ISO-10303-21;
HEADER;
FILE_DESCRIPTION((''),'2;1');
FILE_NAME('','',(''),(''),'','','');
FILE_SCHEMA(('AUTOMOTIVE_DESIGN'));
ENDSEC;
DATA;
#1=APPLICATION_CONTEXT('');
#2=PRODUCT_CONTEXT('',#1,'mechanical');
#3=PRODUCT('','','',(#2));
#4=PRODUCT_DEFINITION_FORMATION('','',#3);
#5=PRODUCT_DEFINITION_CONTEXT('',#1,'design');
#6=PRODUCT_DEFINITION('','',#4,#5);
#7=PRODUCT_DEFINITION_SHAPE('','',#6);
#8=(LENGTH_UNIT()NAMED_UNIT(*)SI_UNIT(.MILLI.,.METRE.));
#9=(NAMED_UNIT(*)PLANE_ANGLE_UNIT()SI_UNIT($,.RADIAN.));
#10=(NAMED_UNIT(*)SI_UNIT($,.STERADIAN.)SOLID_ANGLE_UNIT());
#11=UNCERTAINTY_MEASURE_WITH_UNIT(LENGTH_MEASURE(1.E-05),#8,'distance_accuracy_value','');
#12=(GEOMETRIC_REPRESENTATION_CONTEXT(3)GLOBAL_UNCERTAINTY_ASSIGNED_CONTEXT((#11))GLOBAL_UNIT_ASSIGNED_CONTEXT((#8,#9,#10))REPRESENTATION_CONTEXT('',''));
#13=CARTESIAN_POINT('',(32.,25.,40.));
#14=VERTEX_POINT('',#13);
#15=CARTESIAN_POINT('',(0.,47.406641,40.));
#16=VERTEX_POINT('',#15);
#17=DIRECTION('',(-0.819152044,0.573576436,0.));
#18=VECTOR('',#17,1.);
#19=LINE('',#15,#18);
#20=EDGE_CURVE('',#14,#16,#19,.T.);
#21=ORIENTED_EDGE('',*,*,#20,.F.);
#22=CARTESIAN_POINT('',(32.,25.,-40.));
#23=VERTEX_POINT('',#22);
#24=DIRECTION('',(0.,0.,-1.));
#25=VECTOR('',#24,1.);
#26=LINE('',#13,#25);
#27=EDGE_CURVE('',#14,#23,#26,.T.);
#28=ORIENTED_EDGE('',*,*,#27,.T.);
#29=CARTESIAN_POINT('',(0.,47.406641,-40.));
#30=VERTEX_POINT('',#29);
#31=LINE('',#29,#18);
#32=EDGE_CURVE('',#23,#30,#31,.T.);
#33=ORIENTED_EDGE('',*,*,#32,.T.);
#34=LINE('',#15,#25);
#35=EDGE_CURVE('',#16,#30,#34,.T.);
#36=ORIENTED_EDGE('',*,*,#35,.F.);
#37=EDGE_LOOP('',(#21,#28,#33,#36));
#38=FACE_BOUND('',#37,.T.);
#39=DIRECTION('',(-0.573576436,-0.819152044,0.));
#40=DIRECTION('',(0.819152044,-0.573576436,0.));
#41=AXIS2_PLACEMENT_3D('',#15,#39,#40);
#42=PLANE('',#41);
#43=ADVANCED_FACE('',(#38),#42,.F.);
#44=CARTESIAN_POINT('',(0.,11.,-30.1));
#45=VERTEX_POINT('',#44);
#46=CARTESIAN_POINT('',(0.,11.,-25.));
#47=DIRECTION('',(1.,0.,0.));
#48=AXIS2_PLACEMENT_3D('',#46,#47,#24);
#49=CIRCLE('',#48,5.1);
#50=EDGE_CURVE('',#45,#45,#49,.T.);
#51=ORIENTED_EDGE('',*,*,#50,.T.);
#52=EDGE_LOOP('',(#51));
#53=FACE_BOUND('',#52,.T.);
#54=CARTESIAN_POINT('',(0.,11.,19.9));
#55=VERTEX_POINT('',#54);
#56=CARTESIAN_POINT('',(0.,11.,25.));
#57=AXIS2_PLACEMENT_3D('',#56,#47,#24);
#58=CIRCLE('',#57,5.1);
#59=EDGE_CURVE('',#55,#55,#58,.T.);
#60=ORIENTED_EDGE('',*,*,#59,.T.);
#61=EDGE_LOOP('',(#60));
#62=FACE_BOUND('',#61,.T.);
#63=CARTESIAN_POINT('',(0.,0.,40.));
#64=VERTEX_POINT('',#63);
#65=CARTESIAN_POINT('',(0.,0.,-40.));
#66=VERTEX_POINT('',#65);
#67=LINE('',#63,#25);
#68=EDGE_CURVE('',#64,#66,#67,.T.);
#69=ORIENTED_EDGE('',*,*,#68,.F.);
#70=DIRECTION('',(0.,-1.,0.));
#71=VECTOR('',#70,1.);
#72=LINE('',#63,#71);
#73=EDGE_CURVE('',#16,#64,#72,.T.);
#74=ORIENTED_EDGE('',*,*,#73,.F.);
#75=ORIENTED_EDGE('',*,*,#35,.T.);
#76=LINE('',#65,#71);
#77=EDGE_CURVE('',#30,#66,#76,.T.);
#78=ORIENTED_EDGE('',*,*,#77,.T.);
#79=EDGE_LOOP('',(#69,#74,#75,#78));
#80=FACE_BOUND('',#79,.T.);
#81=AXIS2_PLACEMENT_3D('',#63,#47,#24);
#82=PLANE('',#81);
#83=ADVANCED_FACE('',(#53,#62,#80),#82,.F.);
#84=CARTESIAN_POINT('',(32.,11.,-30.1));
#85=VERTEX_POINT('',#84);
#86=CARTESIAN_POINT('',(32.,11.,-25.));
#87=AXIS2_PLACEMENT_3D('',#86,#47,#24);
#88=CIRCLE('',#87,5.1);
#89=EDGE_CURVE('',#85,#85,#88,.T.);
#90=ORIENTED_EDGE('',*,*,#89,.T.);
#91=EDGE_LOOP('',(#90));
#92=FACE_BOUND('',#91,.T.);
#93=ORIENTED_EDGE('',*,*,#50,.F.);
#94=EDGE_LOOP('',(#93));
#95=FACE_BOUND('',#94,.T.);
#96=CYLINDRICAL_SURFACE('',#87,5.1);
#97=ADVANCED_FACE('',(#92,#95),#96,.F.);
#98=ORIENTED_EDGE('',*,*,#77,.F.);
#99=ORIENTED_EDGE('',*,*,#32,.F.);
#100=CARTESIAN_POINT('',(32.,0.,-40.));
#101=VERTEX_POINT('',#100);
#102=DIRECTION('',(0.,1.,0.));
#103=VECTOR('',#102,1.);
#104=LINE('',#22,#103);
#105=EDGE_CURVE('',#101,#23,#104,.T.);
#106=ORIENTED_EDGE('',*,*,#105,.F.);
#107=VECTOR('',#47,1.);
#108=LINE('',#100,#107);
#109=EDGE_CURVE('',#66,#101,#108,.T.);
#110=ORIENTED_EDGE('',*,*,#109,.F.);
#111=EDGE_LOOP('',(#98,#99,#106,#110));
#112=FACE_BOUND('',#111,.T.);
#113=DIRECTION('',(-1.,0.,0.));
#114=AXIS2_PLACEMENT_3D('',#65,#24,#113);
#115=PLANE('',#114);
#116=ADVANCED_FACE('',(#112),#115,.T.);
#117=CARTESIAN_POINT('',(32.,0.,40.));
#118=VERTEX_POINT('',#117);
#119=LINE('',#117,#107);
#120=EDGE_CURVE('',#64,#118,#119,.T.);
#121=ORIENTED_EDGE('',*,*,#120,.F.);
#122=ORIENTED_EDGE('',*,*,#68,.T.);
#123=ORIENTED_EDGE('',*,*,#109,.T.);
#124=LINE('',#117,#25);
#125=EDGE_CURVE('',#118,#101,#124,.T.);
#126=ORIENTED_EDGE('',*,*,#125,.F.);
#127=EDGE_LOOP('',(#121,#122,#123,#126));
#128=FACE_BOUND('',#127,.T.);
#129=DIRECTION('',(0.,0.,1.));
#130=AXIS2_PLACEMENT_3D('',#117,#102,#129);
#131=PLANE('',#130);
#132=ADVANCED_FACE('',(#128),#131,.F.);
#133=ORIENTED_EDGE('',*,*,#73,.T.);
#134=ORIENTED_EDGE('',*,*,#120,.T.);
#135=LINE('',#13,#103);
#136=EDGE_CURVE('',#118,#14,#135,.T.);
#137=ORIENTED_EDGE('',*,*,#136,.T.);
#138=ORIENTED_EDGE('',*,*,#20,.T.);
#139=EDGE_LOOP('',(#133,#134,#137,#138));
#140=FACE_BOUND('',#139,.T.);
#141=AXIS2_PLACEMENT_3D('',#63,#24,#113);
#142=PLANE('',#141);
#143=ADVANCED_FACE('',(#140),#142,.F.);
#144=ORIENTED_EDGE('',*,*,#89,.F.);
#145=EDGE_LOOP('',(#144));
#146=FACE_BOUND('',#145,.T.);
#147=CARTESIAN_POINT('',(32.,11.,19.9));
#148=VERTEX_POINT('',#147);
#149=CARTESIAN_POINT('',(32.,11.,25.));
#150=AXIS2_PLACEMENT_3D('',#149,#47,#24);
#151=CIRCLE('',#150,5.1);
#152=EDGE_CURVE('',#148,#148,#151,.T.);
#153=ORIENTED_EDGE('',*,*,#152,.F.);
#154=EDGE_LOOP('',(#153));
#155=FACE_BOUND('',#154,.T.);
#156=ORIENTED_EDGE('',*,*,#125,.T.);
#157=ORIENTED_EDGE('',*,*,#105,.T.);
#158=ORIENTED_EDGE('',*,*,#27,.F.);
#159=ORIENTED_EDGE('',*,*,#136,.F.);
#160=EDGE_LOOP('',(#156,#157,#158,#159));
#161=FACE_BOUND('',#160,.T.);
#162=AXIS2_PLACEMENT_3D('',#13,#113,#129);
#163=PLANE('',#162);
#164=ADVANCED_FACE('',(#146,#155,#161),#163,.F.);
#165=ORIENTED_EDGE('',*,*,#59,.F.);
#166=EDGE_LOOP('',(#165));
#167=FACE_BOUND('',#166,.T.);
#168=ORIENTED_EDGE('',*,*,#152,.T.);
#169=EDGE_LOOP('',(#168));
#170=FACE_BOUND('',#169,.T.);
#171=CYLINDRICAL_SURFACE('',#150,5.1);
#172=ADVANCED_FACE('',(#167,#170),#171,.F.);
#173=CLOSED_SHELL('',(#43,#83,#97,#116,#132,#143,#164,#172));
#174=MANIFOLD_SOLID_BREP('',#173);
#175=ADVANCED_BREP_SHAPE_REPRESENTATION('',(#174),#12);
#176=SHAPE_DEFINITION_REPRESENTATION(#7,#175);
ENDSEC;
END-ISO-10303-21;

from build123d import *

# Parameters (mm, degrees)
EXTRUDE_1_DEPTH     = 40
HOLE_WIZARD_M12_1_D = 10.2


with BuildPart() as part:
    # 草图1 → 凸台-拉伸1 (new, symmetric)
    with BuildSketch(Plane.XY):
        Polygon((0, 0), (0, 47.406641223), (32, 25), (32, 0), align=None)
    extrude(amount=EXTRUDE_1_DEPTH, both=True)

    # M12 螺纹孔1 (through all)
    with Locations(Plane(origin=(32, 0, 0), x_dir=(0, 0, -1), z_dir=(1, 0, 0))):
        with Locations((-25, 11), (25, 11)):
            Hole(HOLE_WIZARD_M12_1_D / 2)


solid = part.part
